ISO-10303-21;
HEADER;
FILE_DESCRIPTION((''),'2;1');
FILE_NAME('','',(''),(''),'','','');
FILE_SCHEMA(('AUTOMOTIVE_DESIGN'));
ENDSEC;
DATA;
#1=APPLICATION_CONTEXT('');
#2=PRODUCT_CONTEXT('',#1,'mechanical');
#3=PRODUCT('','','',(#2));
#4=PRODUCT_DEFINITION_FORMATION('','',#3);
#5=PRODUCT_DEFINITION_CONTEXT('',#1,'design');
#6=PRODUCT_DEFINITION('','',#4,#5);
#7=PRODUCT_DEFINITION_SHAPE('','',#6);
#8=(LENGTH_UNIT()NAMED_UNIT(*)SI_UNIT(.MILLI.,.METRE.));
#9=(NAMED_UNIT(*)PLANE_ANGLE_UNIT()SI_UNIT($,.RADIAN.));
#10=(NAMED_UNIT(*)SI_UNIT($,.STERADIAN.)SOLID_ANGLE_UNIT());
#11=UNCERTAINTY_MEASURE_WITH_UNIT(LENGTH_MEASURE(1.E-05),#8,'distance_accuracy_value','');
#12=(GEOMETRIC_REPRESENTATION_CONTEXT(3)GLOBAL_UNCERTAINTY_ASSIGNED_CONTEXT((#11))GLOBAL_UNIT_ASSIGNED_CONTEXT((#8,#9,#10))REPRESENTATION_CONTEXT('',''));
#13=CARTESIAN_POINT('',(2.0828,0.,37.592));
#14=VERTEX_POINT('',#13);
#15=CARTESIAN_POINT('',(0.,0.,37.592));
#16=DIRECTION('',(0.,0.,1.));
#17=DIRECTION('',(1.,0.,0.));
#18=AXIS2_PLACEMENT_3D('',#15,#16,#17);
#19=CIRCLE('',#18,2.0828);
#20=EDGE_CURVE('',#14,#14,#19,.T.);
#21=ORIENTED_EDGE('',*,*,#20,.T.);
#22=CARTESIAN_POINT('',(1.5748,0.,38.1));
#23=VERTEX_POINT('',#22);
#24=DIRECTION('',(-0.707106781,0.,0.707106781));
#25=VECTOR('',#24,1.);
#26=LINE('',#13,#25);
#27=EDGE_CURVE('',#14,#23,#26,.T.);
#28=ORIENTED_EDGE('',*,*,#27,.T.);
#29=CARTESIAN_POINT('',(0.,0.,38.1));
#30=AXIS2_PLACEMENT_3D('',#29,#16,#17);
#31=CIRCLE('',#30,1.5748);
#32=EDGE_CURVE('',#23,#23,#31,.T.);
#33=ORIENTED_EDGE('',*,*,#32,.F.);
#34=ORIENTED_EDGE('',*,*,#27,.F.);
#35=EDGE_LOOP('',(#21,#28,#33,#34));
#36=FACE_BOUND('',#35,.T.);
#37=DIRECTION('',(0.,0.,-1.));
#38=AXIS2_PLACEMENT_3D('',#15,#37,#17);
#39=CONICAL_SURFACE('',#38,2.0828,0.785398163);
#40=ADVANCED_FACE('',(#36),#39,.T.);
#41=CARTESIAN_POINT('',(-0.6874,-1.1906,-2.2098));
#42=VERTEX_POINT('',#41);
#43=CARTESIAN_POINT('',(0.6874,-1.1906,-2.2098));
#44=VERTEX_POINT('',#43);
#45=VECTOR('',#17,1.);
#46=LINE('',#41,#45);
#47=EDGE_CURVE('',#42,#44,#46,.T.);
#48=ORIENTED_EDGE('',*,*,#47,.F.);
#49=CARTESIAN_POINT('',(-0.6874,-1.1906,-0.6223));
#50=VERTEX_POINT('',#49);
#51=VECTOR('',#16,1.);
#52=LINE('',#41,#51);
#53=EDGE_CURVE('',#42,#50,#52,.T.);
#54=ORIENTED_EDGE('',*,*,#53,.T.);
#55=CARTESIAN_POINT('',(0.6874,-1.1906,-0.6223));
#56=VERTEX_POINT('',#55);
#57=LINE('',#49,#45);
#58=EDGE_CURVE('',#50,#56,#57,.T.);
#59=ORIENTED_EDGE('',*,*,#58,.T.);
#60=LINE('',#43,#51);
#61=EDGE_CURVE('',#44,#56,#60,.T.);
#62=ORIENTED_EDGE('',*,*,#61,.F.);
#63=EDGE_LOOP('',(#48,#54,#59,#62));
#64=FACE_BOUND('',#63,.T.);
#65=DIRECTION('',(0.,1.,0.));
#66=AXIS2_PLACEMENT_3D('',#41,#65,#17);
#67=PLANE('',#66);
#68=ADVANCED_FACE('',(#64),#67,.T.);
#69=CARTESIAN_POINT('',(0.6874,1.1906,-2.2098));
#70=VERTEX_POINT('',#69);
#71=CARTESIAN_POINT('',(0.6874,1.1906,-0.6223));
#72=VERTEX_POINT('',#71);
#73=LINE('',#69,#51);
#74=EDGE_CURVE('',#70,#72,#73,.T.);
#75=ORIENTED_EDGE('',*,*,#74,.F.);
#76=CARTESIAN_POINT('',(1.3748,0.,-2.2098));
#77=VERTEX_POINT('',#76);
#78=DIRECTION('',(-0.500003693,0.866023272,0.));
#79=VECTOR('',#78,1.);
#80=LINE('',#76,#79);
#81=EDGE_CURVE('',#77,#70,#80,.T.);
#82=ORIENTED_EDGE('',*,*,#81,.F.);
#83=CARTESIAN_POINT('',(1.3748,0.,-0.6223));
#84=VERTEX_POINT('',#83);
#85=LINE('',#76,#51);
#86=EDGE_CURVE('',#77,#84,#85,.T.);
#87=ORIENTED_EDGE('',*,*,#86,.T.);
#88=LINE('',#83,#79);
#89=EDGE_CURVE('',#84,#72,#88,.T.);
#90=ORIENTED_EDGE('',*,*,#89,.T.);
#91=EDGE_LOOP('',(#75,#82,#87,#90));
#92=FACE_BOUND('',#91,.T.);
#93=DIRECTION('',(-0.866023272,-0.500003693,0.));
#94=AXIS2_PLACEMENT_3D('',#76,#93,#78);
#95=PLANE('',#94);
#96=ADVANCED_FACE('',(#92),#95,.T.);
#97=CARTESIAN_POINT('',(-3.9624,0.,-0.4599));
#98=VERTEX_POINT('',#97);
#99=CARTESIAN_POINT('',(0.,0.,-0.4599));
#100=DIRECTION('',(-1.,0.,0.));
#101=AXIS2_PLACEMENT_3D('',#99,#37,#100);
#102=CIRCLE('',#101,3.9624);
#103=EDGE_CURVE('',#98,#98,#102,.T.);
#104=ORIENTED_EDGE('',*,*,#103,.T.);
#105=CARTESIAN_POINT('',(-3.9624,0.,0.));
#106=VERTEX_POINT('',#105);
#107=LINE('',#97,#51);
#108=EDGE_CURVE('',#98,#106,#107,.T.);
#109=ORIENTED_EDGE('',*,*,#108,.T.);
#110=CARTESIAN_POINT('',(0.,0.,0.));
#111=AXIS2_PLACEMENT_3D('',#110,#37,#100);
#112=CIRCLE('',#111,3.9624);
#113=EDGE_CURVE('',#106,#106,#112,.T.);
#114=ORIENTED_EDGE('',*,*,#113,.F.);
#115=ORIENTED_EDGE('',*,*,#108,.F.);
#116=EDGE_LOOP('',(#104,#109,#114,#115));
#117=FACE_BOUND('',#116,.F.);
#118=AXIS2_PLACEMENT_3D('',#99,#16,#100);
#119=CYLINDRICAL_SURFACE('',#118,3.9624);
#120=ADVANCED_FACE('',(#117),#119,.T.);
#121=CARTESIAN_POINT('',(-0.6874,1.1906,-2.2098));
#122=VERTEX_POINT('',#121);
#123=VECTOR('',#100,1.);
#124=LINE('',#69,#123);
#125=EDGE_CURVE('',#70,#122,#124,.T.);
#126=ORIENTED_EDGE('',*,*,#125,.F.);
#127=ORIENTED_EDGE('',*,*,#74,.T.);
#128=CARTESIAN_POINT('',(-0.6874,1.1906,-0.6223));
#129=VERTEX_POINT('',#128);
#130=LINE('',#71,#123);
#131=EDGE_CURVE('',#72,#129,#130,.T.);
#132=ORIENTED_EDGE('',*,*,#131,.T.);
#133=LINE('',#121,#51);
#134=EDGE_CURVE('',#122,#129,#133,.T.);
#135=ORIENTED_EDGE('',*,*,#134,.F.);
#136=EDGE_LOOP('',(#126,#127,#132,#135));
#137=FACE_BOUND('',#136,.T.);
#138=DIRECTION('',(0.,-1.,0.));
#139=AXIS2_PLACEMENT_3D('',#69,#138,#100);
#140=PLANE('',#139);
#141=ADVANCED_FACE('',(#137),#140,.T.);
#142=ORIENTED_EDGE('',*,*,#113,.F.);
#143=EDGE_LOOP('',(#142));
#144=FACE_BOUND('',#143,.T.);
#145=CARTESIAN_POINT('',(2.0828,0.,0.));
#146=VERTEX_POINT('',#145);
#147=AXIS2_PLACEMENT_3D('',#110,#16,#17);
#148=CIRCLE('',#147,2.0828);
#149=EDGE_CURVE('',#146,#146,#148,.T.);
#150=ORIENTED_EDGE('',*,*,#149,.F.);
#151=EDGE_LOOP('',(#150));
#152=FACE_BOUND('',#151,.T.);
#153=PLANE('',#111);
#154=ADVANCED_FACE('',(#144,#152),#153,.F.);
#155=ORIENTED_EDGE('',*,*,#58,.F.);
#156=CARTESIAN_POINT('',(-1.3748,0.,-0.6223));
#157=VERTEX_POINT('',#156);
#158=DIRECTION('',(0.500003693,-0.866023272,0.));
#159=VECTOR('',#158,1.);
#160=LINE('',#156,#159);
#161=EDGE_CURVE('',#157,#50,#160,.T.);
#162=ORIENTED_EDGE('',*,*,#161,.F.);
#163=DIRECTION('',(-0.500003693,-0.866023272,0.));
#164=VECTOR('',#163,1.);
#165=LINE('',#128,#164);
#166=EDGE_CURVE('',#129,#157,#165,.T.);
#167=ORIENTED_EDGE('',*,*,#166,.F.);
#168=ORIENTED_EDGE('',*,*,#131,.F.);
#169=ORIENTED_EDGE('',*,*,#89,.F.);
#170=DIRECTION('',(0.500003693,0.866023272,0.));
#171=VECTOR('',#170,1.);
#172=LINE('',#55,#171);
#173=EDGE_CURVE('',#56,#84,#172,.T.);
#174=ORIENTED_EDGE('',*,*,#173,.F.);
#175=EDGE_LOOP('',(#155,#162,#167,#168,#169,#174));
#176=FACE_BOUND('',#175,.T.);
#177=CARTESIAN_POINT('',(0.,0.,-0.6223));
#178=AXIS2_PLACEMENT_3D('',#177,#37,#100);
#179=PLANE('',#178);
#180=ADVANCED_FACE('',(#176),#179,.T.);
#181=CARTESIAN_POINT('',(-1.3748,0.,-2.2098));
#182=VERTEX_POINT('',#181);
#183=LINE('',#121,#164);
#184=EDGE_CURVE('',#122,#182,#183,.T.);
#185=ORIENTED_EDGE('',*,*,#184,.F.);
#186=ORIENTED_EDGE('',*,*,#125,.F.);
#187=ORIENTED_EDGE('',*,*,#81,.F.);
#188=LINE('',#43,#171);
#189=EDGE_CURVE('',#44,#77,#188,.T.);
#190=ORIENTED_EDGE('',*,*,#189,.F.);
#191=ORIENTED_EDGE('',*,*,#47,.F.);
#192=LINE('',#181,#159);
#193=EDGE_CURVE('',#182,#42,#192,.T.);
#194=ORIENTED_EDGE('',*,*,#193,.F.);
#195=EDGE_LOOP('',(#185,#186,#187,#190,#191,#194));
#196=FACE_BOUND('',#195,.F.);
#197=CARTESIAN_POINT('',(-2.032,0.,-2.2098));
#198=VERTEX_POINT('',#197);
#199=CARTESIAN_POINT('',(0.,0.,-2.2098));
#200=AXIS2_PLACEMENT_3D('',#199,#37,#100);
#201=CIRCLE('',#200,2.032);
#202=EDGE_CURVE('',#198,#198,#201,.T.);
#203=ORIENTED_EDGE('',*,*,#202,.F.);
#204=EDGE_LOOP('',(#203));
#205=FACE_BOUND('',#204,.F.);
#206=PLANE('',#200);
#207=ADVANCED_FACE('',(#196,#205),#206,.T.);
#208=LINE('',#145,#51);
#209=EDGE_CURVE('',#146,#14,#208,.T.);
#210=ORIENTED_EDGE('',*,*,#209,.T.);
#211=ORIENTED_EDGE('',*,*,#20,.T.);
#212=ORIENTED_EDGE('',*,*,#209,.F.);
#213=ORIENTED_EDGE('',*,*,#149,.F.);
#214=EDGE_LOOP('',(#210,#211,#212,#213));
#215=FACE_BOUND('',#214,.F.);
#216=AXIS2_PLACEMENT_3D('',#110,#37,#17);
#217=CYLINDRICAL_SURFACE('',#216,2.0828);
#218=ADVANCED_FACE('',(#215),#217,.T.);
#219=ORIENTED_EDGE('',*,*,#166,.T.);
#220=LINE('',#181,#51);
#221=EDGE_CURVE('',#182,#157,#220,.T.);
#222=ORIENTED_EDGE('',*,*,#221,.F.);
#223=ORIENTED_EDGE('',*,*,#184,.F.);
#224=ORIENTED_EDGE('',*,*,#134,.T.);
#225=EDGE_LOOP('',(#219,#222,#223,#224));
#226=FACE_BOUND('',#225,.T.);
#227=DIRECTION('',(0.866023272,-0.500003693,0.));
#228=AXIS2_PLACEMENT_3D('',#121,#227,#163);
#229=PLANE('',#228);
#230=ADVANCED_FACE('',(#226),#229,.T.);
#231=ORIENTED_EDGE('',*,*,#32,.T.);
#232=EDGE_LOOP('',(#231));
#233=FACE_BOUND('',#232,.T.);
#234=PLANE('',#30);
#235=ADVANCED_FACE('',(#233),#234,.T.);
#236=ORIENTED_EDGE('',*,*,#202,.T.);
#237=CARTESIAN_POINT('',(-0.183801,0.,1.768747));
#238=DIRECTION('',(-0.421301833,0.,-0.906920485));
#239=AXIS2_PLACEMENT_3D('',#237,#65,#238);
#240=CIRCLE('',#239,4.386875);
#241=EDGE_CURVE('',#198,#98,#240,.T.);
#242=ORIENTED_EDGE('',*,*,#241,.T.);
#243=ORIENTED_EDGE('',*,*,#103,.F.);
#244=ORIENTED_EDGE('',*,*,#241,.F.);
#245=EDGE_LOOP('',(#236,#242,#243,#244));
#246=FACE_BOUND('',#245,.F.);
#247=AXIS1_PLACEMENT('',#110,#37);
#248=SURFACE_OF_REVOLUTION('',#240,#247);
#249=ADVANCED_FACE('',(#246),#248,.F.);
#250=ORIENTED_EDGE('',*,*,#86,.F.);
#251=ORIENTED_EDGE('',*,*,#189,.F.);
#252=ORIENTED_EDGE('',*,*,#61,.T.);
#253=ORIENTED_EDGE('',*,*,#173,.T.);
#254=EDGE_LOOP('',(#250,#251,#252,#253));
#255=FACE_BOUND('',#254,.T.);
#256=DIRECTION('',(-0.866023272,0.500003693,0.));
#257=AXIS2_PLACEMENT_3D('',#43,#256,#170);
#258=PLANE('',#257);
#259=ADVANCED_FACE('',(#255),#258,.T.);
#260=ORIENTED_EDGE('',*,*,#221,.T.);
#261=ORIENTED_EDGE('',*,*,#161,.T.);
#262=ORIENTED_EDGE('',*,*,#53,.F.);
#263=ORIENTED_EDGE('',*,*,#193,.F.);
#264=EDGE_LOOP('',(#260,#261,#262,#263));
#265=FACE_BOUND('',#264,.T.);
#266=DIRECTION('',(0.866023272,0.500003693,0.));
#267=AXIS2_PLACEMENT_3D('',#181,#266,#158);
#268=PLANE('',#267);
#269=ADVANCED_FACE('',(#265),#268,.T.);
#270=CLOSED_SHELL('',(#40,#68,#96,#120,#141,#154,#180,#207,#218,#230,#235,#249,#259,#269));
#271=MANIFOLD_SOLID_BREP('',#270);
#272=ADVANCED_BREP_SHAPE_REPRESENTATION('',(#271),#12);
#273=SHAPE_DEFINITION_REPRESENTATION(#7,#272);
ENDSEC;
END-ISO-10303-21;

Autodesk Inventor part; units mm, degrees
ref_plane "YZ Plane" through (0, 0, 0) normal (1, 0, 0) x (0, 1, 0)
ref_plane "XZ Plane" through (0, 0, 0) normal (0, 1, 0) x (-1, 0, 0)
ref_plane "XY Plane" through (0, 0, 0) normal (0, 0, 1) x (1, 0, 0)
sketch "Sketch1" plane through (0, 0, 0) normal (0, 0, 1) x (1, 0, 0)
  circle A0 centre (0, 0) radius 2.0828
  dimension "d0" = 4.1656
extrude "Extrusion1" add sketch "Sketch1" along normal blind 38.1
sketch "Sketch2" plane through (0, 0, 0) normal (0, 1, 0) x (-1, 0, 0)
  line L0 (0, 0) -> (0, -2.2098)
  line L1 (0, 0) -> (3.9624, 0)
  line L2 (0, -2.2098) -> (2.032, -2.2098)
  line L3 (3.9624, 0) -> (3.9624, 3.6562) construction
  arc A0 (2.032, -2.2098) -> (3.9624, -0.4599) centre (0.1837, 1.7689) ccw
  line L4 (4.5847, 0.6553) -> (4.5847, -0.2608) construction
  line L5 (3.9624, -0.4599) -> (3.9624, 0)
  dimension "d3" = 2.2098
  dimension "d6" = 2.032
  dimension "d19" = 3.9624
revolve "Revolution1" add sketch "Sketch2" angle 360 about axis through (0, 0, 0) along (0, 0, -1)
sketch "Sketch3" plane through (0, 0, -2.2098) normal (0, 0, -1) x (-1, 0, 0)
  circle A0 centre (0, 0) radius 2.032 projected
  line L0 (-0.6874, 1.1906) -> (0.6874, 1.1906)
  line L1 (0.6874, 1.1906) -> (1.3748, 0)
  line L2 (1.3748, 0) -> (0.6874, -1.1906)
  line L3 (0.6874, -1.1906) -> (-0.6874, -1.1906)
  line L4 (-0.6874, -1.1906) -> (-1.3748, 0)
  line L5 (-1.3748, 0) -> (-0.6874, 1.1906)
  dimension "d8" = 2.3813
extrude "Extrusion2" cut sketch "Sketch3" against normal blind 1.5875 contours L0 L1 L2 L3 L4 L5
chamfer "Chamfer1" distance 0.508 angle 45 1 edges at (-2.0828, 0, 38.1)
thread "Thread1" size "8-32 UNC" class "2A" standard "ANSI Unified Screw Threads" length 25.4
properties part number "10-32 x500 button head" material "Aluminum 6061"
